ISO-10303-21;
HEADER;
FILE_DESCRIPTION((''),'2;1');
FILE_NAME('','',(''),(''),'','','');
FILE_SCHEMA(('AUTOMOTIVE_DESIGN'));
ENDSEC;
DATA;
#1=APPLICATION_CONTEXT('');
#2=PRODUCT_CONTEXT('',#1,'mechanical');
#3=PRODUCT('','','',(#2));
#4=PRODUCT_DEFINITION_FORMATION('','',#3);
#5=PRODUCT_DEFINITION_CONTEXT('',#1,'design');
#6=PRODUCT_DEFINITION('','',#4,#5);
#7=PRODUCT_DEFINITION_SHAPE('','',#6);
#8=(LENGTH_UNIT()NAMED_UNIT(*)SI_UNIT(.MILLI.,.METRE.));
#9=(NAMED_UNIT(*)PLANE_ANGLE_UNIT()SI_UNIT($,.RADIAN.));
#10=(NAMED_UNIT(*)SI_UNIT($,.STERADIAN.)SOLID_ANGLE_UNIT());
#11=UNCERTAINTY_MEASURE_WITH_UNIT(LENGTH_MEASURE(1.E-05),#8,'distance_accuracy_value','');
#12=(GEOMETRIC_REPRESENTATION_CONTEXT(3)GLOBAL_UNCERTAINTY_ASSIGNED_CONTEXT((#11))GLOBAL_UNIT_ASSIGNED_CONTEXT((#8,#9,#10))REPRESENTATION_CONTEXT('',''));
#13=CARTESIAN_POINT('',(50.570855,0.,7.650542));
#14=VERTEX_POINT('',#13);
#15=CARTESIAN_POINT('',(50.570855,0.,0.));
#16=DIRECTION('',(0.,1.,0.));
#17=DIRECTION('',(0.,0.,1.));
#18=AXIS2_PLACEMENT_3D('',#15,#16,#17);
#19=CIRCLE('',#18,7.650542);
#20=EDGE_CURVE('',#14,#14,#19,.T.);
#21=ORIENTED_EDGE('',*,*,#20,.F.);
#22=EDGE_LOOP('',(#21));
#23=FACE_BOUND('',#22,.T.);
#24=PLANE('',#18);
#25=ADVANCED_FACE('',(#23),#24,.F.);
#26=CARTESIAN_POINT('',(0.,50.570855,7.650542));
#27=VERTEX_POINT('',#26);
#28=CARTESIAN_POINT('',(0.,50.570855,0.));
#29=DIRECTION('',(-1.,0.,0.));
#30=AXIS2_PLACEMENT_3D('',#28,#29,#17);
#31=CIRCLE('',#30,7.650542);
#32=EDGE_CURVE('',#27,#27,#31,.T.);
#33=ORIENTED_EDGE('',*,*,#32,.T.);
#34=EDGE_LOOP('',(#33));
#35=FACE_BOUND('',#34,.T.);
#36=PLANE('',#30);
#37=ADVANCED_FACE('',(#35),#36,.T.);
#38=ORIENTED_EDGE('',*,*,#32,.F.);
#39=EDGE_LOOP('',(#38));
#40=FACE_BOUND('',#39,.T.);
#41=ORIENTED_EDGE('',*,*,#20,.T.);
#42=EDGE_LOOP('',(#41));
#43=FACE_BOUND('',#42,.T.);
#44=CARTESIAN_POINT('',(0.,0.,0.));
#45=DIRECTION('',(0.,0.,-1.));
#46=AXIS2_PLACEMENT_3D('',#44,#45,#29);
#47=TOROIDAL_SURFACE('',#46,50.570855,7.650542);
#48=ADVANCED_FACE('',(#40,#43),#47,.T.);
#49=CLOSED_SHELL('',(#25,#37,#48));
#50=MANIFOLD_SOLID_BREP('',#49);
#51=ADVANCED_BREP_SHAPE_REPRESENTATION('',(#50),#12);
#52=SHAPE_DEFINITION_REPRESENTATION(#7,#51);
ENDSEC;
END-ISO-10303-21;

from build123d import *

# Parameters (mm, degrees)
SKETCH6_R = 7.650541804


with BuildPart() as part:
    # Sweep2: sweep along a path in Sketch5
    with BuildLine(Plane.XY) as sweep2_path:
        ThreePointArc((0, 50.57085527), (35.758994692, 35.758994692), (50.57085527, 0))
    # Sketch6 → Sweep2 (sweep)
    with BuildSketch(Plane(origin=(0, 0, 0), x_dir=(1, 0, 0), z_dir=(0, 1, 0))):
        with Locations((50.57085527, 0)):
            Circle(SKETCH6_R)
    sweep(path=sweep2_path.line)


solid = part.part
